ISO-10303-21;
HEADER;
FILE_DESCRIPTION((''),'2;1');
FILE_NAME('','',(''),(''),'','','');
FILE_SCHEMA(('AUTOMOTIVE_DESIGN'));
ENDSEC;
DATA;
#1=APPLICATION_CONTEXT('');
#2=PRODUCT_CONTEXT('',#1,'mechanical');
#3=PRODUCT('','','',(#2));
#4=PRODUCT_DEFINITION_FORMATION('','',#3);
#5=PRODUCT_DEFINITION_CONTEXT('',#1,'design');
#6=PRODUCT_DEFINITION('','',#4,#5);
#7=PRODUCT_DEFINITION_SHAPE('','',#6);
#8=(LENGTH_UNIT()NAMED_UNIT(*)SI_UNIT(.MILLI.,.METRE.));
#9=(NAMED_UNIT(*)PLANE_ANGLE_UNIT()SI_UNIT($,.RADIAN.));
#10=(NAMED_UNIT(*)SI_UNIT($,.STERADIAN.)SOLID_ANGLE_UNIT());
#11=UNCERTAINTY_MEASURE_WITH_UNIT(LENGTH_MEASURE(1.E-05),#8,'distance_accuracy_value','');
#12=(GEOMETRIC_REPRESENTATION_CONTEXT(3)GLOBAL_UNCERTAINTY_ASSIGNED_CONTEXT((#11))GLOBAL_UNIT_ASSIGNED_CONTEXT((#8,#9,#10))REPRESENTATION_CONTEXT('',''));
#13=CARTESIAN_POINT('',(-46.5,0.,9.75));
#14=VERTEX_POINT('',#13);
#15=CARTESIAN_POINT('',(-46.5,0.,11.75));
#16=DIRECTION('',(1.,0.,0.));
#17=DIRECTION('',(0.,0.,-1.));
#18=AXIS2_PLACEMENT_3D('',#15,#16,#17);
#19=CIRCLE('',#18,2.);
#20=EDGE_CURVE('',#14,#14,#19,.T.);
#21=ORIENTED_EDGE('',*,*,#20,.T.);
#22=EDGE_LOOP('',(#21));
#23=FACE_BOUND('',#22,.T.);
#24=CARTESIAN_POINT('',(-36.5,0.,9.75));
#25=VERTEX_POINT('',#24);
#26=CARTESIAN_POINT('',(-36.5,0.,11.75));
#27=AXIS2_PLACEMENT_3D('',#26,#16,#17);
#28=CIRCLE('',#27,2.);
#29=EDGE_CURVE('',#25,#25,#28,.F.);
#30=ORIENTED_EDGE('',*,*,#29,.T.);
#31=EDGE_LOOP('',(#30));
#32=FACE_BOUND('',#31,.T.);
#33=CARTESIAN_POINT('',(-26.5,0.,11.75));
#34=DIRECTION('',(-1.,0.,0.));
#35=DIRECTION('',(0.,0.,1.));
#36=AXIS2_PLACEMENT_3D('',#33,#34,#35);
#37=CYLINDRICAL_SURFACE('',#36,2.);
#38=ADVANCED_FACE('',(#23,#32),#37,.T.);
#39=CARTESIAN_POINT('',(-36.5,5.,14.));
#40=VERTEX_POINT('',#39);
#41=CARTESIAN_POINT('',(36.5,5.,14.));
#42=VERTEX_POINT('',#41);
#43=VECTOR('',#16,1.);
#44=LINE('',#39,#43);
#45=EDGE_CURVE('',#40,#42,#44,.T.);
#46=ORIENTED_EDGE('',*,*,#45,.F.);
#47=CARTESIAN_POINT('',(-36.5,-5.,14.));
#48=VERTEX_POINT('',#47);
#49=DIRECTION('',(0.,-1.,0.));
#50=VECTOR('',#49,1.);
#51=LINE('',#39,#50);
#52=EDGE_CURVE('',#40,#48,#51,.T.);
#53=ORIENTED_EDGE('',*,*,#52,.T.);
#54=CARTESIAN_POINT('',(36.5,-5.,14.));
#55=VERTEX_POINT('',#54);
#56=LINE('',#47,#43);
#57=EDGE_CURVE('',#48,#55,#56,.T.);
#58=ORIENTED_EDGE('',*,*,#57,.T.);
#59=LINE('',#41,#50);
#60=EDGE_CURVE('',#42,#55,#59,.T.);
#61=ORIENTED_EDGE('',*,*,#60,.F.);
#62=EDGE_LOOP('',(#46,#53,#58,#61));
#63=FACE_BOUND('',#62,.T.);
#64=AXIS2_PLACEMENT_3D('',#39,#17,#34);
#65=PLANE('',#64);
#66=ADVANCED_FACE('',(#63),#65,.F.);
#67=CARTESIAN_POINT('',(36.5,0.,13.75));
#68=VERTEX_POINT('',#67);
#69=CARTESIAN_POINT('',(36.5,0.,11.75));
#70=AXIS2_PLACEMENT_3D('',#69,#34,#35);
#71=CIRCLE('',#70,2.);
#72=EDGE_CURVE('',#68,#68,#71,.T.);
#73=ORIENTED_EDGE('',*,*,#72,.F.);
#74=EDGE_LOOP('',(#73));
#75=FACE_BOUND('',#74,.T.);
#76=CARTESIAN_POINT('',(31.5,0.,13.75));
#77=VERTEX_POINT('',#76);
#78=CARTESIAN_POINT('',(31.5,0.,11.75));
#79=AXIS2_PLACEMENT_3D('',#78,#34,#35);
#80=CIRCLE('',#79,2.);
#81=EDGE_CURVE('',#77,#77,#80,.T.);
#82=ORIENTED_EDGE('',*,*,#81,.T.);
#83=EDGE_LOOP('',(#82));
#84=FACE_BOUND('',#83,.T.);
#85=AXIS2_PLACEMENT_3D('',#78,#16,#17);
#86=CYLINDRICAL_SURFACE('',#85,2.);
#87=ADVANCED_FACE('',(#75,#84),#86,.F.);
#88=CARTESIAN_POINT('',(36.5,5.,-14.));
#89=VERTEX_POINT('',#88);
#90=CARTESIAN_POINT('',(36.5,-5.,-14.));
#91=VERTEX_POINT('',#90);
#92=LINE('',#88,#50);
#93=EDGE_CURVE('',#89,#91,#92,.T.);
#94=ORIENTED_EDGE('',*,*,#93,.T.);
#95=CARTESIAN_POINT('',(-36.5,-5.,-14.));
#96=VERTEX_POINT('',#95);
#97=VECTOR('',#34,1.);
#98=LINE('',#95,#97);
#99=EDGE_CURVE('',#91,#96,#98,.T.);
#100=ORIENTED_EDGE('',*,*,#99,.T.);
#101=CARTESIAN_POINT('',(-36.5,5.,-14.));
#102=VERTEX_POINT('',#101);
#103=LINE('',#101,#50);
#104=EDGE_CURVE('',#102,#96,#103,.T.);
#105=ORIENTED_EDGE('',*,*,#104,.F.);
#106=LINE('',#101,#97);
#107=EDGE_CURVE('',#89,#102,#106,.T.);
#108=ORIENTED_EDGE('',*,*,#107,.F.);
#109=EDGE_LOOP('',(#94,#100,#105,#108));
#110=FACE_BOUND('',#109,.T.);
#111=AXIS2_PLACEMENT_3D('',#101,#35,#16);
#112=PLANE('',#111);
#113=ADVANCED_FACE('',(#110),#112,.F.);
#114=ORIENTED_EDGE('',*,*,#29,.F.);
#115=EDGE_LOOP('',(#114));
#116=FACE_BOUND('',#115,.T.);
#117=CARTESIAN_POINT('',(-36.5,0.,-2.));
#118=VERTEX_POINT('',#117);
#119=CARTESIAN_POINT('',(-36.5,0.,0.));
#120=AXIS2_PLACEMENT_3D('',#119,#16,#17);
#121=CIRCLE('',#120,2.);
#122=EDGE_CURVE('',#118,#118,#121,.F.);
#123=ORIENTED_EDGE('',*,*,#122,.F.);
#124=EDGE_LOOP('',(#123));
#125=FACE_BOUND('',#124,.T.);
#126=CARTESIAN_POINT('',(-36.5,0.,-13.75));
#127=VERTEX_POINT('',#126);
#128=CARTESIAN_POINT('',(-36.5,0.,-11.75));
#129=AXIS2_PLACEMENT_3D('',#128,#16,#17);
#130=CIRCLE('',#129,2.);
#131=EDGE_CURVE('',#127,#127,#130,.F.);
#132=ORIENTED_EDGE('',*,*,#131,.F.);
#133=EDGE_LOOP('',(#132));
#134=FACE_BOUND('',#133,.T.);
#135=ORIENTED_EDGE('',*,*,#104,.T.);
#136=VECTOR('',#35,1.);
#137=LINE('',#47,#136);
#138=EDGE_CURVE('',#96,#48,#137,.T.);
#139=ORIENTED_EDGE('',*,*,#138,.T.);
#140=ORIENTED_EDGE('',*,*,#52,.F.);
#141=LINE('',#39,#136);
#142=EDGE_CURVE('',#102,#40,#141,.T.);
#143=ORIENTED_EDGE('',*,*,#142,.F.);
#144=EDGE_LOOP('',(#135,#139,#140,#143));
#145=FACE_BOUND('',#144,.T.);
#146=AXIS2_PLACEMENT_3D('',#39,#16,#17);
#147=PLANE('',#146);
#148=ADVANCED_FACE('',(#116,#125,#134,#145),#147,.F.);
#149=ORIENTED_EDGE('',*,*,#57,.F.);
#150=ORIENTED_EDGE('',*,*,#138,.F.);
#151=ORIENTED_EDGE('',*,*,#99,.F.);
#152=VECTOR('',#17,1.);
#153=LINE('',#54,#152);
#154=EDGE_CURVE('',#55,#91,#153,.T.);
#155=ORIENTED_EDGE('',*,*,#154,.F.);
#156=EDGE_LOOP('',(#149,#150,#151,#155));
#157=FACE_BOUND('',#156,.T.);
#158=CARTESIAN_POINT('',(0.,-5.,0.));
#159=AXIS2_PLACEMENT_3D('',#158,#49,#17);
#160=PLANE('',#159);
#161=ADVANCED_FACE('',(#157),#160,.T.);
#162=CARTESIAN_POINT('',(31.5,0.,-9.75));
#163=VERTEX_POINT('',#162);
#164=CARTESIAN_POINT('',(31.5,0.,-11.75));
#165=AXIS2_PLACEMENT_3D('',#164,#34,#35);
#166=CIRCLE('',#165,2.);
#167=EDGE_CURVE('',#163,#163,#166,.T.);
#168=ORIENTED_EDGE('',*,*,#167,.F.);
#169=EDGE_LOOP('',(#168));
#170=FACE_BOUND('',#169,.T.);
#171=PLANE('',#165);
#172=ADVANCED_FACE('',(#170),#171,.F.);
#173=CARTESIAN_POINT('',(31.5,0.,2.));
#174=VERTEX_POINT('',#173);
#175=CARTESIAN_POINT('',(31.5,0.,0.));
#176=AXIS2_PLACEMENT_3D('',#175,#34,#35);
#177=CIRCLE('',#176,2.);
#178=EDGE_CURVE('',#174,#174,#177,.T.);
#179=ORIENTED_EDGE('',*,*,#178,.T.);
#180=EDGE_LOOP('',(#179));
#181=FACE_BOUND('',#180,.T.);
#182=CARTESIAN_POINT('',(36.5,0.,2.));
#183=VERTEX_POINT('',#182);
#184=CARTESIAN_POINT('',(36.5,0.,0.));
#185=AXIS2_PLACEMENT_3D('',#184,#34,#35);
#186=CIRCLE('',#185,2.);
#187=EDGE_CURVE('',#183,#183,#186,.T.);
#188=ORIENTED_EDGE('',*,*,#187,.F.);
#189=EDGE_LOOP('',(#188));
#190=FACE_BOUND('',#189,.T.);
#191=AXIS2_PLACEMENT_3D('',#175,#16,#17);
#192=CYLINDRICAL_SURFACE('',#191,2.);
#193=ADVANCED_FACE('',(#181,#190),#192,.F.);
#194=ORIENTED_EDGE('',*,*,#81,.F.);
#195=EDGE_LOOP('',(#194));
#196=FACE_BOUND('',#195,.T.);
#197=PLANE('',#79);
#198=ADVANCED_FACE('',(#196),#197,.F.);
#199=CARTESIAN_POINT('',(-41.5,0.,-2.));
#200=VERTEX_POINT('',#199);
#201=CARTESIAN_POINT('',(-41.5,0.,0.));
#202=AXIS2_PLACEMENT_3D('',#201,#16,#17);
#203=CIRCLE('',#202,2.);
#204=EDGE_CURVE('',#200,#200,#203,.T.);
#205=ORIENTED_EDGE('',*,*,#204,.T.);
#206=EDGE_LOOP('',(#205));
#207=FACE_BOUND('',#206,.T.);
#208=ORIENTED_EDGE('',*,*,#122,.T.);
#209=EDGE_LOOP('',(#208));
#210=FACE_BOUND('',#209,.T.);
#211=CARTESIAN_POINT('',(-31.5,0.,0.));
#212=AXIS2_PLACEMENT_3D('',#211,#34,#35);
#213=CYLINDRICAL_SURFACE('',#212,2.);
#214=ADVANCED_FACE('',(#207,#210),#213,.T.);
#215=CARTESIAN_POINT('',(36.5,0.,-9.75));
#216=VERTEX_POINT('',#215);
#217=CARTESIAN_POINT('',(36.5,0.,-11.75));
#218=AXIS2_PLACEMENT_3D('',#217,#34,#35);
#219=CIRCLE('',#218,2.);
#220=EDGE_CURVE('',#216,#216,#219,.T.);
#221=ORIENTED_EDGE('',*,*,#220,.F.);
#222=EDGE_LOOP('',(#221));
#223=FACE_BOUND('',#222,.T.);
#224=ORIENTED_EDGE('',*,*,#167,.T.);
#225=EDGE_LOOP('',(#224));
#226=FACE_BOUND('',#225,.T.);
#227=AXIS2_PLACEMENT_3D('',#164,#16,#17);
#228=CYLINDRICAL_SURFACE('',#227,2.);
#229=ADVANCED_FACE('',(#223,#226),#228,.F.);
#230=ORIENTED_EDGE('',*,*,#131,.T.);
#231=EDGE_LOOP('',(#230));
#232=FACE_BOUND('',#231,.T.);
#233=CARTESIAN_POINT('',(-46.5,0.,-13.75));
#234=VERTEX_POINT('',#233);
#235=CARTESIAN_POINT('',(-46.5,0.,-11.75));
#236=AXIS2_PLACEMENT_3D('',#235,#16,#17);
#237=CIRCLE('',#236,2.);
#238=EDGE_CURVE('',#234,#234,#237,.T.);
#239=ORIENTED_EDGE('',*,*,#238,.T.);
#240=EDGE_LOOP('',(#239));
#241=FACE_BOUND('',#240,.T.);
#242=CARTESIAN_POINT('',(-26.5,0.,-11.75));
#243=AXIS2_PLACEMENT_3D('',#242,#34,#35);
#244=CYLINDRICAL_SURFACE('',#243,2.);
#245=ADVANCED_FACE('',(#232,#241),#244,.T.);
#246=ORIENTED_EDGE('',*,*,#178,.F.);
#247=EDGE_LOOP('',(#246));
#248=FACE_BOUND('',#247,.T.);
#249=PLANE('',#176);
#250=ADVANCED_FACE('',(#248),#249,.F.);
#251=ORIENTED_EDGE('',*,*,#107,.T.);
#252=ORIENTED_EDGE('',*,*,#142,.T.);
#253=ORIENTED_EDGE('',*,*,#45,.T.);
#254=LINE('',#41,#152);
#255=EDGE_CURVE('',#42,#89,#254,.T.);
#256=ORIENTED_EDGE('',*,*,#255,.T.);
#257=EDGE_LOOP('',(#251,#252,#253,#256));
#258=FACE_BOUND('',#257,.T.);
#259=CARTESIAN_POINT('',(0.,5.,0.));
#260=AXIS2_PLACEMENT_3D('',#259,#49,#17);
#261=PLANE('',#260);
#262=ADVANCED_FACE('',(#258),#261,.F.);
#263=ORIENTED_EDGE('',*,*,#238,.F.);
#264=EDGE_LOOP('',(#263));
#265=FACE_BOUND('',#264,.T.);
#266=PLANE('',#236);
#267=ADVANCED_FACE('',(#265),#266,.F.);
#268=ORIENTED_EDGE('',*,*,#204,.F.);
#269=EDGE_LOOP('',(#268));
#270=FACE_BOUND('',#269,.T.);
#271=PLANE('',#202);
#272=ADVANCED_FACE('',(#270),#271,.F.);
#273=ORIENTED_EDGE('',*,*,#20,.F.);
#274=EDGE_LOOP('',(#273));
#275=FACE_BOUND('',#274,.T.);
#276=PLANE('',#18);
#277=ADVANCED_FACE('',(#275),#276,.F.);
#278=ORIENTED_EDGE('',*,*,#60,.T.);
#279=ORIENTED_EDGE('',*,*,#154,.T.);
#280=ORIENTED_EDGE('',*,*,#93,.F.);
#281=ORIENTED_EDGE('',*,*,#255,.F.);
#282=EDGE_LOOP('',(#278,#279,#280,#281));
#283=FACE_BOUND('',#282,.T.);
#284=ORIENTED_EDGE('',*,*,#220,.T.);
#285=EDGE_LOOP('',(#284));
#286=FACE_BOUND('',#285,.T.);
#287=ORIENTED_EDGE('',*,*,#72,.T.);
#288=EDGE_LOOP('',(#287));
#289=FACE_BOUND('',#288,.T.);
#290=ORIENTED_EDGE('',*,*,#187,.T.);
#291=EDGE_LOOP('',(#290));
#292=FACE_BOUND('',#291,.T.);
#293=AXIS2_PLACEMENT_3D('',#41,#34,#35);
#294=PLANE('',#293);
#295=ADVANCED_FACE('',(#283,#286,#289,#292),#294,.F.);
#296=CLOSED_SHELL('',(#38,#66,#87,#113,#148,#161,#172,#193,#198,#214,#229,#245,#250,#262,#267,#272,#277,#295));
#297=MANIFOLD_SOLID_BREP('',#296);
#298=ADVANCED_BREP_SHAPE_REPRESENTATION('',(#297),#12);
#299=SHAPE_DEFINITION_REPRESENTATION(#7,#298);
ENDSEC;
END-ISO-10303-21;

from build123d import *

# Parameters (mm, degrees)
SKETCH2_W           = 73
SKETCH2_H           = 28
BOSS_EXTRUDE1_DEPTH = 5
CUT_EXTRUDE2_START  = 36.5
SKETCH3_R           = 2
CUT_EXTRUDE2_DEPTH  = 5
BOSS_EXTRUDE2_START = -36.5
SKETCH3_2_R         = 2
BOSS_EXTRUDE2_DEPTH = 10
BOSS_EXTRUDE3_START = -36.5
SKETCH3_3_R         = 2
BOSS_EXTRUDE3_DEPTH = 5


with BuildPart() as part:
    # Sketch2 → Boss-Extrude1 (new, symmetric)
    with BuildSketch(Plane(origin=(0, 0, 0), x_dir=(1, 0, 0), z_dir=(0, 1, 0))):
        Rectangle(SKETCH2_W, SKETCH2_H)
    extrude(amount=BOSS_EXTRUDE1_DEPTH, both=True)

    # Sketch3 → Cut-Extrude2 (cut)
    with BuildSketch(Plane(origin=(0, 0, 0), x_dir=(0, 0, -1), z_dir=(1, 0, 0)).offset(CUT_EXTRUDE2_START)):
        with Locations(Location((0, 0, 0), (0, 0, 180))):
            Circle(SKETCH3_R)
        with Locations(Location((11.75, 0, 0), (0, 0, 180))):
            Circle(SKETCH3_R)
        with Locations(Location((-11.75, 0, 0), (0, 0, 180))):
            Circle(SKETCH3_R)
    extrude(amount=-CUT_EXTRUDE2_DEPTH, mode=Mode.SUBTRACT)

    # Sketch3<2> → Boss-Extrude2 (add, symmetric)
    with BuildSketch(Plane(origin=(0, 0, 0), x_dir=(0, 0, -1), z_dir=(1, 0, 0)).offset(BOSS_EXTRUDE2_START)):
        with Locations(Location((11.75, 0, 0), (0, 0, 180))):
            Circle(SKETCH3_2_R)
        with Locations(Location((-11.75, 0, 0), (0, 0, 180))):
            Circle(SKETCH3_2_R)
    extrude(amount=BOSS_EXTRUDE2_DEPTH, both=True)

    # Sketch3<3> → Boss-Extrude3 (add, symmetric)
    with BuildSketch(Plane(origin=(0, 0, 0), x_dir=(0, 0, -1), z_dir=(1, 0, 0)).offset(BOSS_EXTRUDE3_START)):
        with Locations(Location((0, 0, 0), (0, 0, 180))):
            Circle(SKETCH3_3_R)
    extrude(amount=BOSS_EXTRUDE3_DEPTH, both=True)


solid = part.part
